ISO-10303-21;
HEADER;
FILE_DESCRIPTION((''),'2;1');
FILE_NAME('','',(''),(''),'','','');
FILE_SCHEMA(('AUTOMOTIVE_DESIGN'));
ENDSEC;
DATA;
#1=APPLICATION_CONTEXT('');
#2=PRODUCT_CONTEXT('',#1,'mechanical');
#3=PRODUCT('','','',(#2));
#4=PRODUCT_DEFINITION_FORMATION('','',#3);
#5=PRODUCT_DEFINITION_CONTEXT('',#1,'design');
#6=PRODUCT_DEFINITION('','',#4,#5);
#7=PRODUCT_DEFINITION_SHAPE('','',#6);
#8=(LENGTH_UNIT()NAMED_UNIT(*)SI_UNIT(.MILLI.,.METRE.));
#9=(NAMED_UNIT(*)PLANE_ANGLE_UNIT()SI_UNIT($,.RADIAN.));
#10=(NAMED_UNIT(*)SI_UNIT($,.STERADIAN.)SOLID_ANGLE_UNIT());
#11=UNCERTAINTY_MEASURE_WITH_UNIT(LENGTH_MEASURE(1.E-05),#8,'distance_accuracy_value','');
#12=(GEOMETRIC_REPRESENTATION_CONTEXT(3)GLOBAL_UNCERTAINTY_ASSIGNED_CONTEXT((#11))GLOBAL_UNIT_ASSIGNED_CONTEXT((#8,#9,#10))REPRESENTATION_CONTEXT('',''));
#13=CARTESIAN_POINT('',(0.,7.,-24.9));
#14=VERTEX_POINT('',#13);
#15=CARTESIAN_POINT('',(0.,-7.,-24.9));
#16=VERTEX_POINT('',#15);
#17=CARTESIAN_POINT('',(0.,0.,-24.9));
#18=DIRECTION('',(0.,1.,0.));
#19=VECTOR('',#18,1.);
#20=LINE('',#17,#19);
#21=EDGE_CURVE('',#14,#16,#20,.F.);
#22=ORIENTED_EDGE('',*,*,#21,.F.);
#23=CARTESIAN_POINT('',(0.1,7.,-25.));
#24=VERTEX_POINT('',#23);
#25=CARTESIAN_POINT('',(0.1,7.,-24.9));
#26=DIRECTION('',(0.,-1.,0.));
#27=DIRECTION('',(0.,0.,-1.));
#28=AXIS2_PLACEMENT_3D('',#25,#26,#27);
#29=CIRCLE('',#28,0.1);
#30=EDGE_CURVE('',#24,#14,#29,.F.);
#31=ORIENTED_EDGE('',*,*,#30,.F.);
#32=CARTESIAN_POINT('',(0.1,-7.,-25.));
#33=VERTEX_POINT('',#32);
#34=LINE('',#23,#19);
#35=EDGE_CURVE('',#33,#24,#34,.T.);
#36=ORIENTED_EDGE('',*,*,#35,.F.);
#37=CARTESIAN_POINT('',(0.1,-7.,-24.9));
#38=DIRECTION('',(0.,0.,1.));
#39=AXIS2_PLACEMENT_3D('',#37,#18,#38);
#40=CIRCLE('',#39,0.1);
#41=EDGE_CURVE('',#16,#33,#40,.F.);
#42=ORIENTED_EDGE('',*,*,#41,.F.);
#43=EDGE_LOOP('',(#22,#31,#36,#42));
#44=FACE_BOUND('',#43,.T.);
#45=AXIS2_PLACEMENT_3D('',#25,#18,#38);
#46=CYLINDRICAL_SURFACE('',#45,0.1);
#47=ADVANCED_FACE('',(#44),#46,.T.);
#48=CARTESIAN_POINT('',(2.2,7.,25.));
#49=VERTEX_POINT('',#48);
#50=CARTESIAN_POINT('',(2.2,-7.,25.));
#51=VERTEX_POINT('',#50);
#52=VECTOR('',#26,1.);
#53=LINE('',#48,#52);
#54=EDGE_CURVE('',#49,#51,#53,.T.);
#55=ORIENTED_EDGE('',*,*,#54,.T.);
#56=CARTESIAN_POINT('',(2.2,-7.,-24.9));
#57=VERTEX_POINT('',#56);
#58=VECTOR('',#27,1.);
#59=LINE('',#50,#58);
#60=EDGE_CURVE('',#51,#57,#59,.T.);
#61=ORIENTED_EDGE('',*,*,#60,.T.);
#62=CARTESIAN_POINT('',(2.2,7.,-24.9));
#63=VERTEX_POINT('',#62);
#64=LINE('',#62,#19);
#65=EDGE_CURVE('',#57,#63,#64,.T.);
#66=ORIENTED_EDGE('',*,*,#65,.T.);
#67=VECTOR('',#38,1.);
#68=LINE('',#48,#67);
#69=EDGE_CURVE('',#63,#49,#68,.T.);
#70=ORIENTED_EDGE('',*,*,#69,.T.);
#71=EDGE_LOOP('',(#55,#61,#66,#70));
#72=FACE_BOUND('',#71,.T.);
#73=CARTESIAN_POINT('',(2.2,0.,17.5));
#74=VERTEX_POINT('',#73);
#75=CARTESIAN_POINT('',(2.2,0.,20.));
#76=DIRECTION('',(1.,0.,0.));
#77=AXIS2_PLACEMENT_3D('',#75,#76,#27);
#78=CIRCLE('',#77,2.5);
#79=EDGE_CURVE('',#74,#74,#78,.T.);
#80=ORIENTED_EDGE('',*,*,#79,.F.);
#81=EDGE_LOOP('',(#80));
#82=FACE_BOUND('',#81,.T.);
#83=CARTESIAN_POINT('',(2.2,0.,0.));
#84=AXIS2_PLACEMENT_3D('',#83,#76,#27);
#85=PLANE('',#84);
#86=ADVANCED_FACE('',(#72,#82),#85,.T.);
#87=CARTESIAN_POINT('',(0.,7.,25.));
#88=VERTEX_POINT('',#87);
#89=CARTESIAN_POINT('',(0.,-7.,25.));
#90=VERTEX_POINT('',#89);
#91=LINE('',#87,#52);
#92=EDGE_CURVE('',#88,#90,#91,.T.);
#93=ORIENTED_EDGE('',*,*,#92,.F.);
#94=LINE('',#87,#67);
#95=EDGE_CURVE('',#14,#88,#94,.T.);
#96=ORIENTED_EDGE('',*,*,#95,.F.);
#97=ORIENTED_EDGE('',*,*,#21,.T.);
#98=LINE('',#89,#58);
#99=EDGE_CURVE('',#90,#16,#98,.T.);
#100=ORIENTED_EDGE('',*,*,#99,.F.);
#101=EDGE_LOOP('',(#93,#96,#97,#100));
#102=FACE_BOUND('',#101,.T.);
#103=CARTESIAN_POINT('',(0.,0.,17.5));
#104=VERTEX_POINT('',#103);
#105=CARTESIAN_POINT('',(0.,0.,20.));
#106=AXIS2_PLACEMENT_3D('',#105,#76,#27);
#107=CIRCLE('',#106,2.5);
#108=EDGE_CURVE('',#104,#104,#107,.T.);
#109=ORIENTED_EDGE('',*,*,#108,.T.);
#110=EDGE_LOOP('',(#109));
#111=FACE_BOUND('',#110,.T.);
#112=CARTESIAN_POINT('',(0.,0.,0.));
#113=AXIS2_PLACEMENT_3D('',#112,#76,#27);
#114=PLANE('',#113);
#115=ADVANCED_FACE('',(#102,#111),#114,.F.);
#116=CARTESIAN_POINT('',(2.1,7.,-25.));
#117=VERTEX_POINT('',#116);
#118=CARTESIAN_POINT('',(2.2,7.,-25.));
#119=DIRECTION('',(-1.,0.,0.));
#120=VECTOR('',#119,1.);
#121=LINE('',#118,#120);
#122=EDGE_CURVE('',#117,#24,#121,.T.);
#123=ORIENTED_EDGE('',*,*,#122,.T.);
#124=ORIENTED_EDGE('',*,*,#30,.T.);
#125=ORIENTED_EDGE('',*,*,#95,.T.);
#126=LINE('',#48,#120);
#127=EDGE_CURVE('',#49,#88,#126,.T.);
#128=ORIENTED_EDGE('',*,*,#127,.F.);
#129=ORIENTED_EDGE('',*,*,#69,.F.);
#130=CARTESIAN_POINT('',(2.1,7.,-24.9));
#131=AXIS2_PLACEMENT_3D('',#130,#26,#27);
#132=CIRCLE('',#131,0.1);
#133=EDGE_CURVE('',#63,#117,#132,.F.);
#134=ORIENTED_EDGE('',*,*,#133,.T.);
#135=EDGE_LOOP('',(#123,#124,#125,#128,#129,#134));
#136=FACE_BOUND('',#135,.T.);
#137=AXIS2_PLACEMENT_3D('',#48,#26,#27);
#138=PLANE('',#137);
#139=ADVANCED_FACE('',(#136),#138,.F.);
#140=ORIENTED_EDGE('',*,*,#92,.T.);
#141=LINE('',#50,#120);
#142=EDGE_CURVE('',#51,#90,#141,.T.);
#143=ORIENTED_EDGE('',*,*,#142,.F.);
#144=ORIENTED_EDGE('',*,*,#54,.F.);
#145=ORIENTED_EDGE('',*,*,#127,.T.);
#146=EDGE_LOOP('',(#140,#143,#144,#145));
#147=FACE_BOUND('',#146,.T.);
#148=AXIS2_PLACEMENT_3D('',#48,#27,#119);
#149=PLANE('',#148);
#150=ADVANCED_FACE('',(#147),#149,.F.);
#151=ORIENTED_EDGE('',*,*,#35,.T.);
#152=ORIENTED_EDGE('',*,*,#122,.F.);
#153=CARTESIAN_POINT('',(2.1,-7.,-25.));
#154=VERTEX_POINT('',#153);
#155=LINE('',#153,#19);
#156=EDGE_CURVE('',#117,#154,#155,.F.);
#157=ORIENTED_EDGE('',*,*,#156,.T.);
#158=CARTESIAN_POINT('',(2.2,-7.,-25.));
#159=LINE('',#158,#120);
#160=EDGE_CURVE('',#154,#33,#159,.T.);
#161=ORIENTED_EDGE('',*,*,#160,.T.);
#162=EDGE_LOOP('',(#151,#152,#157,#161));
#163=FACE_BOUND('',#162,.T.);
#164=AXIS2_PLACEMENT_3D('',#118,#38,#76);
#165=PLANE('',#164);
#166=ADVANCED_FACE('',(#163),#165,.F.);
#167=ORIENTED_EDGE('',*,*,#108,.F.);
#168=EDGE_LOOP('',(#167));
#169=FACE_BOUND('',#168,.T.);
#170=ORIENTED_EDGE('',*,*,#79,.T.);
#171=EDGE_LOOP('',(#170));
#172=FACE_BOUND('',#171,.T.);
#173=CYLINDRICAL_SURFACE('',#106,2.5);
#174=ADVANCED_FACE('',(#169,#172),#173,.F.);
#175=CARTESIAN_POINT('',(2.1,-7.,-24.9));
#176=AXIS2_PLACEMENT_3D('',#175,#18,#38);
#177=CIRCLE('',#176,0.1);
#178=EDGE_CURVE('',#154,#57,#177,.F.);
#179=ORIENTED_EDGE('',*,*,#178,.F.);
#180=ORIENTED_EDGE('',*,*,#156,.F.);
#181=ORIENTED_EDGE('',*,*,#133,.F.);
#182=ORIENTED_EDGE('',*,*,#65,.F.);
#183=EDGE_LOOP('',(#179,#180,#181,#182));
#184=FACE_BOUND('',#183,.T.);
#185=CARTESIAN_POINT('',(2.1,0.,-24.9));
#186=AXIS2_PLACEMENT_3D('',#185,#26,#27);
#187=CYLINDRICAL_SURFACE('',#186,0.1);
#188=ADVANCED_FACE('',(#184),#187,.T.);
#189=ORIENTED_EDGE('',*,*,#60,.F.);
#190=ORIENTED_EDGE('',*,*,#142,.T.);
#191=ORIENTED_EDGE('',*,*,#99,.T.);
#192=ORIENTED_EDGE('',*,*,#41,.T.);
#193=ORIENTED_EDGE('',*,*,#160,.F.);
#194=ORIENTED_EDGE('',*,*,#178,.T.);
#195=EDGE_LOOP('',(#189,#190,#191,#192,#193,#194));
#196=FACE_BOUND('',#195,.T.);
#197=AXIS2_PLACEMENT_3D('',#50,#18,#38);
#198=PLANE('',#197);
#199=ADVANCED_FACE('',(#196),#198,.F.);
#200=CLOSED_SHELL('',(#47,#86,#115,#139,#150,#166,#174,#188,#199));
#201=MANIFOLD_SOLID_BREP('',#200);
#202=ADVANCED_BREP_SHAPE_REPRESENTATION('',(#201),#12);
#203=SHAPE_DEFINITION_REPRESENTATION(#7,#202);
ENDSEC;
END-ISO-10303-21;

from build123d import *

# Parameters (mm, degrees)
SKETCH1_W           = 50
SKETCH1_H           = 14
BOSS_EXTRUDE1_DEPTH = 2.2
SKETCH2_R           = 2.5
CUT_EXTRUDE1_DEPTH  = 27.054558142
FILLET1_R           = 0.1
FILLET2_R           = 0.1


with BuildPart() as part:
    # Sketch1 → Boss-Extrude1 (new body)
    with BuildSketch(Plane(origin=(0, 0, 0), x_dir=(0, 0, -1), z_dir=(1, 0, 0))):
        Rectangle(SKETCH1_W, SKETCH1_H)
    extrude(amount=BOSS_EXTRUDE1_DEPTH)

    # Sketch2 → Cut-Extrude1 (cut, through all)
    with BuildSketch(Plane(origin=(2.2, 0, 0), x_dir=(0, 0, -1), z_dir=(1, 0, 0))):
        with Locations((-20, 0)):
            Circle(SKETCH2_R)
    extrude(amount=-CUT_EXTRUDE1_DEPTH, mode=Mode.SUBTRACT)

    # Fillet1
    fillet1_edges = [part.edges().sort_by_distance(p)[0] for p in [
        (2.2, 0, -25),
    ]]
    fillet(fillet1_edges, radius=FILLET1_R)

    # Fillet2
    fillet2_edges = [part.edges().sort_by_distance(p)[0] for p in [
        (0, 0, -25),
    ]]
    fillet(fillet2_edges, radius=FILLET2_R)


solid = part.part
